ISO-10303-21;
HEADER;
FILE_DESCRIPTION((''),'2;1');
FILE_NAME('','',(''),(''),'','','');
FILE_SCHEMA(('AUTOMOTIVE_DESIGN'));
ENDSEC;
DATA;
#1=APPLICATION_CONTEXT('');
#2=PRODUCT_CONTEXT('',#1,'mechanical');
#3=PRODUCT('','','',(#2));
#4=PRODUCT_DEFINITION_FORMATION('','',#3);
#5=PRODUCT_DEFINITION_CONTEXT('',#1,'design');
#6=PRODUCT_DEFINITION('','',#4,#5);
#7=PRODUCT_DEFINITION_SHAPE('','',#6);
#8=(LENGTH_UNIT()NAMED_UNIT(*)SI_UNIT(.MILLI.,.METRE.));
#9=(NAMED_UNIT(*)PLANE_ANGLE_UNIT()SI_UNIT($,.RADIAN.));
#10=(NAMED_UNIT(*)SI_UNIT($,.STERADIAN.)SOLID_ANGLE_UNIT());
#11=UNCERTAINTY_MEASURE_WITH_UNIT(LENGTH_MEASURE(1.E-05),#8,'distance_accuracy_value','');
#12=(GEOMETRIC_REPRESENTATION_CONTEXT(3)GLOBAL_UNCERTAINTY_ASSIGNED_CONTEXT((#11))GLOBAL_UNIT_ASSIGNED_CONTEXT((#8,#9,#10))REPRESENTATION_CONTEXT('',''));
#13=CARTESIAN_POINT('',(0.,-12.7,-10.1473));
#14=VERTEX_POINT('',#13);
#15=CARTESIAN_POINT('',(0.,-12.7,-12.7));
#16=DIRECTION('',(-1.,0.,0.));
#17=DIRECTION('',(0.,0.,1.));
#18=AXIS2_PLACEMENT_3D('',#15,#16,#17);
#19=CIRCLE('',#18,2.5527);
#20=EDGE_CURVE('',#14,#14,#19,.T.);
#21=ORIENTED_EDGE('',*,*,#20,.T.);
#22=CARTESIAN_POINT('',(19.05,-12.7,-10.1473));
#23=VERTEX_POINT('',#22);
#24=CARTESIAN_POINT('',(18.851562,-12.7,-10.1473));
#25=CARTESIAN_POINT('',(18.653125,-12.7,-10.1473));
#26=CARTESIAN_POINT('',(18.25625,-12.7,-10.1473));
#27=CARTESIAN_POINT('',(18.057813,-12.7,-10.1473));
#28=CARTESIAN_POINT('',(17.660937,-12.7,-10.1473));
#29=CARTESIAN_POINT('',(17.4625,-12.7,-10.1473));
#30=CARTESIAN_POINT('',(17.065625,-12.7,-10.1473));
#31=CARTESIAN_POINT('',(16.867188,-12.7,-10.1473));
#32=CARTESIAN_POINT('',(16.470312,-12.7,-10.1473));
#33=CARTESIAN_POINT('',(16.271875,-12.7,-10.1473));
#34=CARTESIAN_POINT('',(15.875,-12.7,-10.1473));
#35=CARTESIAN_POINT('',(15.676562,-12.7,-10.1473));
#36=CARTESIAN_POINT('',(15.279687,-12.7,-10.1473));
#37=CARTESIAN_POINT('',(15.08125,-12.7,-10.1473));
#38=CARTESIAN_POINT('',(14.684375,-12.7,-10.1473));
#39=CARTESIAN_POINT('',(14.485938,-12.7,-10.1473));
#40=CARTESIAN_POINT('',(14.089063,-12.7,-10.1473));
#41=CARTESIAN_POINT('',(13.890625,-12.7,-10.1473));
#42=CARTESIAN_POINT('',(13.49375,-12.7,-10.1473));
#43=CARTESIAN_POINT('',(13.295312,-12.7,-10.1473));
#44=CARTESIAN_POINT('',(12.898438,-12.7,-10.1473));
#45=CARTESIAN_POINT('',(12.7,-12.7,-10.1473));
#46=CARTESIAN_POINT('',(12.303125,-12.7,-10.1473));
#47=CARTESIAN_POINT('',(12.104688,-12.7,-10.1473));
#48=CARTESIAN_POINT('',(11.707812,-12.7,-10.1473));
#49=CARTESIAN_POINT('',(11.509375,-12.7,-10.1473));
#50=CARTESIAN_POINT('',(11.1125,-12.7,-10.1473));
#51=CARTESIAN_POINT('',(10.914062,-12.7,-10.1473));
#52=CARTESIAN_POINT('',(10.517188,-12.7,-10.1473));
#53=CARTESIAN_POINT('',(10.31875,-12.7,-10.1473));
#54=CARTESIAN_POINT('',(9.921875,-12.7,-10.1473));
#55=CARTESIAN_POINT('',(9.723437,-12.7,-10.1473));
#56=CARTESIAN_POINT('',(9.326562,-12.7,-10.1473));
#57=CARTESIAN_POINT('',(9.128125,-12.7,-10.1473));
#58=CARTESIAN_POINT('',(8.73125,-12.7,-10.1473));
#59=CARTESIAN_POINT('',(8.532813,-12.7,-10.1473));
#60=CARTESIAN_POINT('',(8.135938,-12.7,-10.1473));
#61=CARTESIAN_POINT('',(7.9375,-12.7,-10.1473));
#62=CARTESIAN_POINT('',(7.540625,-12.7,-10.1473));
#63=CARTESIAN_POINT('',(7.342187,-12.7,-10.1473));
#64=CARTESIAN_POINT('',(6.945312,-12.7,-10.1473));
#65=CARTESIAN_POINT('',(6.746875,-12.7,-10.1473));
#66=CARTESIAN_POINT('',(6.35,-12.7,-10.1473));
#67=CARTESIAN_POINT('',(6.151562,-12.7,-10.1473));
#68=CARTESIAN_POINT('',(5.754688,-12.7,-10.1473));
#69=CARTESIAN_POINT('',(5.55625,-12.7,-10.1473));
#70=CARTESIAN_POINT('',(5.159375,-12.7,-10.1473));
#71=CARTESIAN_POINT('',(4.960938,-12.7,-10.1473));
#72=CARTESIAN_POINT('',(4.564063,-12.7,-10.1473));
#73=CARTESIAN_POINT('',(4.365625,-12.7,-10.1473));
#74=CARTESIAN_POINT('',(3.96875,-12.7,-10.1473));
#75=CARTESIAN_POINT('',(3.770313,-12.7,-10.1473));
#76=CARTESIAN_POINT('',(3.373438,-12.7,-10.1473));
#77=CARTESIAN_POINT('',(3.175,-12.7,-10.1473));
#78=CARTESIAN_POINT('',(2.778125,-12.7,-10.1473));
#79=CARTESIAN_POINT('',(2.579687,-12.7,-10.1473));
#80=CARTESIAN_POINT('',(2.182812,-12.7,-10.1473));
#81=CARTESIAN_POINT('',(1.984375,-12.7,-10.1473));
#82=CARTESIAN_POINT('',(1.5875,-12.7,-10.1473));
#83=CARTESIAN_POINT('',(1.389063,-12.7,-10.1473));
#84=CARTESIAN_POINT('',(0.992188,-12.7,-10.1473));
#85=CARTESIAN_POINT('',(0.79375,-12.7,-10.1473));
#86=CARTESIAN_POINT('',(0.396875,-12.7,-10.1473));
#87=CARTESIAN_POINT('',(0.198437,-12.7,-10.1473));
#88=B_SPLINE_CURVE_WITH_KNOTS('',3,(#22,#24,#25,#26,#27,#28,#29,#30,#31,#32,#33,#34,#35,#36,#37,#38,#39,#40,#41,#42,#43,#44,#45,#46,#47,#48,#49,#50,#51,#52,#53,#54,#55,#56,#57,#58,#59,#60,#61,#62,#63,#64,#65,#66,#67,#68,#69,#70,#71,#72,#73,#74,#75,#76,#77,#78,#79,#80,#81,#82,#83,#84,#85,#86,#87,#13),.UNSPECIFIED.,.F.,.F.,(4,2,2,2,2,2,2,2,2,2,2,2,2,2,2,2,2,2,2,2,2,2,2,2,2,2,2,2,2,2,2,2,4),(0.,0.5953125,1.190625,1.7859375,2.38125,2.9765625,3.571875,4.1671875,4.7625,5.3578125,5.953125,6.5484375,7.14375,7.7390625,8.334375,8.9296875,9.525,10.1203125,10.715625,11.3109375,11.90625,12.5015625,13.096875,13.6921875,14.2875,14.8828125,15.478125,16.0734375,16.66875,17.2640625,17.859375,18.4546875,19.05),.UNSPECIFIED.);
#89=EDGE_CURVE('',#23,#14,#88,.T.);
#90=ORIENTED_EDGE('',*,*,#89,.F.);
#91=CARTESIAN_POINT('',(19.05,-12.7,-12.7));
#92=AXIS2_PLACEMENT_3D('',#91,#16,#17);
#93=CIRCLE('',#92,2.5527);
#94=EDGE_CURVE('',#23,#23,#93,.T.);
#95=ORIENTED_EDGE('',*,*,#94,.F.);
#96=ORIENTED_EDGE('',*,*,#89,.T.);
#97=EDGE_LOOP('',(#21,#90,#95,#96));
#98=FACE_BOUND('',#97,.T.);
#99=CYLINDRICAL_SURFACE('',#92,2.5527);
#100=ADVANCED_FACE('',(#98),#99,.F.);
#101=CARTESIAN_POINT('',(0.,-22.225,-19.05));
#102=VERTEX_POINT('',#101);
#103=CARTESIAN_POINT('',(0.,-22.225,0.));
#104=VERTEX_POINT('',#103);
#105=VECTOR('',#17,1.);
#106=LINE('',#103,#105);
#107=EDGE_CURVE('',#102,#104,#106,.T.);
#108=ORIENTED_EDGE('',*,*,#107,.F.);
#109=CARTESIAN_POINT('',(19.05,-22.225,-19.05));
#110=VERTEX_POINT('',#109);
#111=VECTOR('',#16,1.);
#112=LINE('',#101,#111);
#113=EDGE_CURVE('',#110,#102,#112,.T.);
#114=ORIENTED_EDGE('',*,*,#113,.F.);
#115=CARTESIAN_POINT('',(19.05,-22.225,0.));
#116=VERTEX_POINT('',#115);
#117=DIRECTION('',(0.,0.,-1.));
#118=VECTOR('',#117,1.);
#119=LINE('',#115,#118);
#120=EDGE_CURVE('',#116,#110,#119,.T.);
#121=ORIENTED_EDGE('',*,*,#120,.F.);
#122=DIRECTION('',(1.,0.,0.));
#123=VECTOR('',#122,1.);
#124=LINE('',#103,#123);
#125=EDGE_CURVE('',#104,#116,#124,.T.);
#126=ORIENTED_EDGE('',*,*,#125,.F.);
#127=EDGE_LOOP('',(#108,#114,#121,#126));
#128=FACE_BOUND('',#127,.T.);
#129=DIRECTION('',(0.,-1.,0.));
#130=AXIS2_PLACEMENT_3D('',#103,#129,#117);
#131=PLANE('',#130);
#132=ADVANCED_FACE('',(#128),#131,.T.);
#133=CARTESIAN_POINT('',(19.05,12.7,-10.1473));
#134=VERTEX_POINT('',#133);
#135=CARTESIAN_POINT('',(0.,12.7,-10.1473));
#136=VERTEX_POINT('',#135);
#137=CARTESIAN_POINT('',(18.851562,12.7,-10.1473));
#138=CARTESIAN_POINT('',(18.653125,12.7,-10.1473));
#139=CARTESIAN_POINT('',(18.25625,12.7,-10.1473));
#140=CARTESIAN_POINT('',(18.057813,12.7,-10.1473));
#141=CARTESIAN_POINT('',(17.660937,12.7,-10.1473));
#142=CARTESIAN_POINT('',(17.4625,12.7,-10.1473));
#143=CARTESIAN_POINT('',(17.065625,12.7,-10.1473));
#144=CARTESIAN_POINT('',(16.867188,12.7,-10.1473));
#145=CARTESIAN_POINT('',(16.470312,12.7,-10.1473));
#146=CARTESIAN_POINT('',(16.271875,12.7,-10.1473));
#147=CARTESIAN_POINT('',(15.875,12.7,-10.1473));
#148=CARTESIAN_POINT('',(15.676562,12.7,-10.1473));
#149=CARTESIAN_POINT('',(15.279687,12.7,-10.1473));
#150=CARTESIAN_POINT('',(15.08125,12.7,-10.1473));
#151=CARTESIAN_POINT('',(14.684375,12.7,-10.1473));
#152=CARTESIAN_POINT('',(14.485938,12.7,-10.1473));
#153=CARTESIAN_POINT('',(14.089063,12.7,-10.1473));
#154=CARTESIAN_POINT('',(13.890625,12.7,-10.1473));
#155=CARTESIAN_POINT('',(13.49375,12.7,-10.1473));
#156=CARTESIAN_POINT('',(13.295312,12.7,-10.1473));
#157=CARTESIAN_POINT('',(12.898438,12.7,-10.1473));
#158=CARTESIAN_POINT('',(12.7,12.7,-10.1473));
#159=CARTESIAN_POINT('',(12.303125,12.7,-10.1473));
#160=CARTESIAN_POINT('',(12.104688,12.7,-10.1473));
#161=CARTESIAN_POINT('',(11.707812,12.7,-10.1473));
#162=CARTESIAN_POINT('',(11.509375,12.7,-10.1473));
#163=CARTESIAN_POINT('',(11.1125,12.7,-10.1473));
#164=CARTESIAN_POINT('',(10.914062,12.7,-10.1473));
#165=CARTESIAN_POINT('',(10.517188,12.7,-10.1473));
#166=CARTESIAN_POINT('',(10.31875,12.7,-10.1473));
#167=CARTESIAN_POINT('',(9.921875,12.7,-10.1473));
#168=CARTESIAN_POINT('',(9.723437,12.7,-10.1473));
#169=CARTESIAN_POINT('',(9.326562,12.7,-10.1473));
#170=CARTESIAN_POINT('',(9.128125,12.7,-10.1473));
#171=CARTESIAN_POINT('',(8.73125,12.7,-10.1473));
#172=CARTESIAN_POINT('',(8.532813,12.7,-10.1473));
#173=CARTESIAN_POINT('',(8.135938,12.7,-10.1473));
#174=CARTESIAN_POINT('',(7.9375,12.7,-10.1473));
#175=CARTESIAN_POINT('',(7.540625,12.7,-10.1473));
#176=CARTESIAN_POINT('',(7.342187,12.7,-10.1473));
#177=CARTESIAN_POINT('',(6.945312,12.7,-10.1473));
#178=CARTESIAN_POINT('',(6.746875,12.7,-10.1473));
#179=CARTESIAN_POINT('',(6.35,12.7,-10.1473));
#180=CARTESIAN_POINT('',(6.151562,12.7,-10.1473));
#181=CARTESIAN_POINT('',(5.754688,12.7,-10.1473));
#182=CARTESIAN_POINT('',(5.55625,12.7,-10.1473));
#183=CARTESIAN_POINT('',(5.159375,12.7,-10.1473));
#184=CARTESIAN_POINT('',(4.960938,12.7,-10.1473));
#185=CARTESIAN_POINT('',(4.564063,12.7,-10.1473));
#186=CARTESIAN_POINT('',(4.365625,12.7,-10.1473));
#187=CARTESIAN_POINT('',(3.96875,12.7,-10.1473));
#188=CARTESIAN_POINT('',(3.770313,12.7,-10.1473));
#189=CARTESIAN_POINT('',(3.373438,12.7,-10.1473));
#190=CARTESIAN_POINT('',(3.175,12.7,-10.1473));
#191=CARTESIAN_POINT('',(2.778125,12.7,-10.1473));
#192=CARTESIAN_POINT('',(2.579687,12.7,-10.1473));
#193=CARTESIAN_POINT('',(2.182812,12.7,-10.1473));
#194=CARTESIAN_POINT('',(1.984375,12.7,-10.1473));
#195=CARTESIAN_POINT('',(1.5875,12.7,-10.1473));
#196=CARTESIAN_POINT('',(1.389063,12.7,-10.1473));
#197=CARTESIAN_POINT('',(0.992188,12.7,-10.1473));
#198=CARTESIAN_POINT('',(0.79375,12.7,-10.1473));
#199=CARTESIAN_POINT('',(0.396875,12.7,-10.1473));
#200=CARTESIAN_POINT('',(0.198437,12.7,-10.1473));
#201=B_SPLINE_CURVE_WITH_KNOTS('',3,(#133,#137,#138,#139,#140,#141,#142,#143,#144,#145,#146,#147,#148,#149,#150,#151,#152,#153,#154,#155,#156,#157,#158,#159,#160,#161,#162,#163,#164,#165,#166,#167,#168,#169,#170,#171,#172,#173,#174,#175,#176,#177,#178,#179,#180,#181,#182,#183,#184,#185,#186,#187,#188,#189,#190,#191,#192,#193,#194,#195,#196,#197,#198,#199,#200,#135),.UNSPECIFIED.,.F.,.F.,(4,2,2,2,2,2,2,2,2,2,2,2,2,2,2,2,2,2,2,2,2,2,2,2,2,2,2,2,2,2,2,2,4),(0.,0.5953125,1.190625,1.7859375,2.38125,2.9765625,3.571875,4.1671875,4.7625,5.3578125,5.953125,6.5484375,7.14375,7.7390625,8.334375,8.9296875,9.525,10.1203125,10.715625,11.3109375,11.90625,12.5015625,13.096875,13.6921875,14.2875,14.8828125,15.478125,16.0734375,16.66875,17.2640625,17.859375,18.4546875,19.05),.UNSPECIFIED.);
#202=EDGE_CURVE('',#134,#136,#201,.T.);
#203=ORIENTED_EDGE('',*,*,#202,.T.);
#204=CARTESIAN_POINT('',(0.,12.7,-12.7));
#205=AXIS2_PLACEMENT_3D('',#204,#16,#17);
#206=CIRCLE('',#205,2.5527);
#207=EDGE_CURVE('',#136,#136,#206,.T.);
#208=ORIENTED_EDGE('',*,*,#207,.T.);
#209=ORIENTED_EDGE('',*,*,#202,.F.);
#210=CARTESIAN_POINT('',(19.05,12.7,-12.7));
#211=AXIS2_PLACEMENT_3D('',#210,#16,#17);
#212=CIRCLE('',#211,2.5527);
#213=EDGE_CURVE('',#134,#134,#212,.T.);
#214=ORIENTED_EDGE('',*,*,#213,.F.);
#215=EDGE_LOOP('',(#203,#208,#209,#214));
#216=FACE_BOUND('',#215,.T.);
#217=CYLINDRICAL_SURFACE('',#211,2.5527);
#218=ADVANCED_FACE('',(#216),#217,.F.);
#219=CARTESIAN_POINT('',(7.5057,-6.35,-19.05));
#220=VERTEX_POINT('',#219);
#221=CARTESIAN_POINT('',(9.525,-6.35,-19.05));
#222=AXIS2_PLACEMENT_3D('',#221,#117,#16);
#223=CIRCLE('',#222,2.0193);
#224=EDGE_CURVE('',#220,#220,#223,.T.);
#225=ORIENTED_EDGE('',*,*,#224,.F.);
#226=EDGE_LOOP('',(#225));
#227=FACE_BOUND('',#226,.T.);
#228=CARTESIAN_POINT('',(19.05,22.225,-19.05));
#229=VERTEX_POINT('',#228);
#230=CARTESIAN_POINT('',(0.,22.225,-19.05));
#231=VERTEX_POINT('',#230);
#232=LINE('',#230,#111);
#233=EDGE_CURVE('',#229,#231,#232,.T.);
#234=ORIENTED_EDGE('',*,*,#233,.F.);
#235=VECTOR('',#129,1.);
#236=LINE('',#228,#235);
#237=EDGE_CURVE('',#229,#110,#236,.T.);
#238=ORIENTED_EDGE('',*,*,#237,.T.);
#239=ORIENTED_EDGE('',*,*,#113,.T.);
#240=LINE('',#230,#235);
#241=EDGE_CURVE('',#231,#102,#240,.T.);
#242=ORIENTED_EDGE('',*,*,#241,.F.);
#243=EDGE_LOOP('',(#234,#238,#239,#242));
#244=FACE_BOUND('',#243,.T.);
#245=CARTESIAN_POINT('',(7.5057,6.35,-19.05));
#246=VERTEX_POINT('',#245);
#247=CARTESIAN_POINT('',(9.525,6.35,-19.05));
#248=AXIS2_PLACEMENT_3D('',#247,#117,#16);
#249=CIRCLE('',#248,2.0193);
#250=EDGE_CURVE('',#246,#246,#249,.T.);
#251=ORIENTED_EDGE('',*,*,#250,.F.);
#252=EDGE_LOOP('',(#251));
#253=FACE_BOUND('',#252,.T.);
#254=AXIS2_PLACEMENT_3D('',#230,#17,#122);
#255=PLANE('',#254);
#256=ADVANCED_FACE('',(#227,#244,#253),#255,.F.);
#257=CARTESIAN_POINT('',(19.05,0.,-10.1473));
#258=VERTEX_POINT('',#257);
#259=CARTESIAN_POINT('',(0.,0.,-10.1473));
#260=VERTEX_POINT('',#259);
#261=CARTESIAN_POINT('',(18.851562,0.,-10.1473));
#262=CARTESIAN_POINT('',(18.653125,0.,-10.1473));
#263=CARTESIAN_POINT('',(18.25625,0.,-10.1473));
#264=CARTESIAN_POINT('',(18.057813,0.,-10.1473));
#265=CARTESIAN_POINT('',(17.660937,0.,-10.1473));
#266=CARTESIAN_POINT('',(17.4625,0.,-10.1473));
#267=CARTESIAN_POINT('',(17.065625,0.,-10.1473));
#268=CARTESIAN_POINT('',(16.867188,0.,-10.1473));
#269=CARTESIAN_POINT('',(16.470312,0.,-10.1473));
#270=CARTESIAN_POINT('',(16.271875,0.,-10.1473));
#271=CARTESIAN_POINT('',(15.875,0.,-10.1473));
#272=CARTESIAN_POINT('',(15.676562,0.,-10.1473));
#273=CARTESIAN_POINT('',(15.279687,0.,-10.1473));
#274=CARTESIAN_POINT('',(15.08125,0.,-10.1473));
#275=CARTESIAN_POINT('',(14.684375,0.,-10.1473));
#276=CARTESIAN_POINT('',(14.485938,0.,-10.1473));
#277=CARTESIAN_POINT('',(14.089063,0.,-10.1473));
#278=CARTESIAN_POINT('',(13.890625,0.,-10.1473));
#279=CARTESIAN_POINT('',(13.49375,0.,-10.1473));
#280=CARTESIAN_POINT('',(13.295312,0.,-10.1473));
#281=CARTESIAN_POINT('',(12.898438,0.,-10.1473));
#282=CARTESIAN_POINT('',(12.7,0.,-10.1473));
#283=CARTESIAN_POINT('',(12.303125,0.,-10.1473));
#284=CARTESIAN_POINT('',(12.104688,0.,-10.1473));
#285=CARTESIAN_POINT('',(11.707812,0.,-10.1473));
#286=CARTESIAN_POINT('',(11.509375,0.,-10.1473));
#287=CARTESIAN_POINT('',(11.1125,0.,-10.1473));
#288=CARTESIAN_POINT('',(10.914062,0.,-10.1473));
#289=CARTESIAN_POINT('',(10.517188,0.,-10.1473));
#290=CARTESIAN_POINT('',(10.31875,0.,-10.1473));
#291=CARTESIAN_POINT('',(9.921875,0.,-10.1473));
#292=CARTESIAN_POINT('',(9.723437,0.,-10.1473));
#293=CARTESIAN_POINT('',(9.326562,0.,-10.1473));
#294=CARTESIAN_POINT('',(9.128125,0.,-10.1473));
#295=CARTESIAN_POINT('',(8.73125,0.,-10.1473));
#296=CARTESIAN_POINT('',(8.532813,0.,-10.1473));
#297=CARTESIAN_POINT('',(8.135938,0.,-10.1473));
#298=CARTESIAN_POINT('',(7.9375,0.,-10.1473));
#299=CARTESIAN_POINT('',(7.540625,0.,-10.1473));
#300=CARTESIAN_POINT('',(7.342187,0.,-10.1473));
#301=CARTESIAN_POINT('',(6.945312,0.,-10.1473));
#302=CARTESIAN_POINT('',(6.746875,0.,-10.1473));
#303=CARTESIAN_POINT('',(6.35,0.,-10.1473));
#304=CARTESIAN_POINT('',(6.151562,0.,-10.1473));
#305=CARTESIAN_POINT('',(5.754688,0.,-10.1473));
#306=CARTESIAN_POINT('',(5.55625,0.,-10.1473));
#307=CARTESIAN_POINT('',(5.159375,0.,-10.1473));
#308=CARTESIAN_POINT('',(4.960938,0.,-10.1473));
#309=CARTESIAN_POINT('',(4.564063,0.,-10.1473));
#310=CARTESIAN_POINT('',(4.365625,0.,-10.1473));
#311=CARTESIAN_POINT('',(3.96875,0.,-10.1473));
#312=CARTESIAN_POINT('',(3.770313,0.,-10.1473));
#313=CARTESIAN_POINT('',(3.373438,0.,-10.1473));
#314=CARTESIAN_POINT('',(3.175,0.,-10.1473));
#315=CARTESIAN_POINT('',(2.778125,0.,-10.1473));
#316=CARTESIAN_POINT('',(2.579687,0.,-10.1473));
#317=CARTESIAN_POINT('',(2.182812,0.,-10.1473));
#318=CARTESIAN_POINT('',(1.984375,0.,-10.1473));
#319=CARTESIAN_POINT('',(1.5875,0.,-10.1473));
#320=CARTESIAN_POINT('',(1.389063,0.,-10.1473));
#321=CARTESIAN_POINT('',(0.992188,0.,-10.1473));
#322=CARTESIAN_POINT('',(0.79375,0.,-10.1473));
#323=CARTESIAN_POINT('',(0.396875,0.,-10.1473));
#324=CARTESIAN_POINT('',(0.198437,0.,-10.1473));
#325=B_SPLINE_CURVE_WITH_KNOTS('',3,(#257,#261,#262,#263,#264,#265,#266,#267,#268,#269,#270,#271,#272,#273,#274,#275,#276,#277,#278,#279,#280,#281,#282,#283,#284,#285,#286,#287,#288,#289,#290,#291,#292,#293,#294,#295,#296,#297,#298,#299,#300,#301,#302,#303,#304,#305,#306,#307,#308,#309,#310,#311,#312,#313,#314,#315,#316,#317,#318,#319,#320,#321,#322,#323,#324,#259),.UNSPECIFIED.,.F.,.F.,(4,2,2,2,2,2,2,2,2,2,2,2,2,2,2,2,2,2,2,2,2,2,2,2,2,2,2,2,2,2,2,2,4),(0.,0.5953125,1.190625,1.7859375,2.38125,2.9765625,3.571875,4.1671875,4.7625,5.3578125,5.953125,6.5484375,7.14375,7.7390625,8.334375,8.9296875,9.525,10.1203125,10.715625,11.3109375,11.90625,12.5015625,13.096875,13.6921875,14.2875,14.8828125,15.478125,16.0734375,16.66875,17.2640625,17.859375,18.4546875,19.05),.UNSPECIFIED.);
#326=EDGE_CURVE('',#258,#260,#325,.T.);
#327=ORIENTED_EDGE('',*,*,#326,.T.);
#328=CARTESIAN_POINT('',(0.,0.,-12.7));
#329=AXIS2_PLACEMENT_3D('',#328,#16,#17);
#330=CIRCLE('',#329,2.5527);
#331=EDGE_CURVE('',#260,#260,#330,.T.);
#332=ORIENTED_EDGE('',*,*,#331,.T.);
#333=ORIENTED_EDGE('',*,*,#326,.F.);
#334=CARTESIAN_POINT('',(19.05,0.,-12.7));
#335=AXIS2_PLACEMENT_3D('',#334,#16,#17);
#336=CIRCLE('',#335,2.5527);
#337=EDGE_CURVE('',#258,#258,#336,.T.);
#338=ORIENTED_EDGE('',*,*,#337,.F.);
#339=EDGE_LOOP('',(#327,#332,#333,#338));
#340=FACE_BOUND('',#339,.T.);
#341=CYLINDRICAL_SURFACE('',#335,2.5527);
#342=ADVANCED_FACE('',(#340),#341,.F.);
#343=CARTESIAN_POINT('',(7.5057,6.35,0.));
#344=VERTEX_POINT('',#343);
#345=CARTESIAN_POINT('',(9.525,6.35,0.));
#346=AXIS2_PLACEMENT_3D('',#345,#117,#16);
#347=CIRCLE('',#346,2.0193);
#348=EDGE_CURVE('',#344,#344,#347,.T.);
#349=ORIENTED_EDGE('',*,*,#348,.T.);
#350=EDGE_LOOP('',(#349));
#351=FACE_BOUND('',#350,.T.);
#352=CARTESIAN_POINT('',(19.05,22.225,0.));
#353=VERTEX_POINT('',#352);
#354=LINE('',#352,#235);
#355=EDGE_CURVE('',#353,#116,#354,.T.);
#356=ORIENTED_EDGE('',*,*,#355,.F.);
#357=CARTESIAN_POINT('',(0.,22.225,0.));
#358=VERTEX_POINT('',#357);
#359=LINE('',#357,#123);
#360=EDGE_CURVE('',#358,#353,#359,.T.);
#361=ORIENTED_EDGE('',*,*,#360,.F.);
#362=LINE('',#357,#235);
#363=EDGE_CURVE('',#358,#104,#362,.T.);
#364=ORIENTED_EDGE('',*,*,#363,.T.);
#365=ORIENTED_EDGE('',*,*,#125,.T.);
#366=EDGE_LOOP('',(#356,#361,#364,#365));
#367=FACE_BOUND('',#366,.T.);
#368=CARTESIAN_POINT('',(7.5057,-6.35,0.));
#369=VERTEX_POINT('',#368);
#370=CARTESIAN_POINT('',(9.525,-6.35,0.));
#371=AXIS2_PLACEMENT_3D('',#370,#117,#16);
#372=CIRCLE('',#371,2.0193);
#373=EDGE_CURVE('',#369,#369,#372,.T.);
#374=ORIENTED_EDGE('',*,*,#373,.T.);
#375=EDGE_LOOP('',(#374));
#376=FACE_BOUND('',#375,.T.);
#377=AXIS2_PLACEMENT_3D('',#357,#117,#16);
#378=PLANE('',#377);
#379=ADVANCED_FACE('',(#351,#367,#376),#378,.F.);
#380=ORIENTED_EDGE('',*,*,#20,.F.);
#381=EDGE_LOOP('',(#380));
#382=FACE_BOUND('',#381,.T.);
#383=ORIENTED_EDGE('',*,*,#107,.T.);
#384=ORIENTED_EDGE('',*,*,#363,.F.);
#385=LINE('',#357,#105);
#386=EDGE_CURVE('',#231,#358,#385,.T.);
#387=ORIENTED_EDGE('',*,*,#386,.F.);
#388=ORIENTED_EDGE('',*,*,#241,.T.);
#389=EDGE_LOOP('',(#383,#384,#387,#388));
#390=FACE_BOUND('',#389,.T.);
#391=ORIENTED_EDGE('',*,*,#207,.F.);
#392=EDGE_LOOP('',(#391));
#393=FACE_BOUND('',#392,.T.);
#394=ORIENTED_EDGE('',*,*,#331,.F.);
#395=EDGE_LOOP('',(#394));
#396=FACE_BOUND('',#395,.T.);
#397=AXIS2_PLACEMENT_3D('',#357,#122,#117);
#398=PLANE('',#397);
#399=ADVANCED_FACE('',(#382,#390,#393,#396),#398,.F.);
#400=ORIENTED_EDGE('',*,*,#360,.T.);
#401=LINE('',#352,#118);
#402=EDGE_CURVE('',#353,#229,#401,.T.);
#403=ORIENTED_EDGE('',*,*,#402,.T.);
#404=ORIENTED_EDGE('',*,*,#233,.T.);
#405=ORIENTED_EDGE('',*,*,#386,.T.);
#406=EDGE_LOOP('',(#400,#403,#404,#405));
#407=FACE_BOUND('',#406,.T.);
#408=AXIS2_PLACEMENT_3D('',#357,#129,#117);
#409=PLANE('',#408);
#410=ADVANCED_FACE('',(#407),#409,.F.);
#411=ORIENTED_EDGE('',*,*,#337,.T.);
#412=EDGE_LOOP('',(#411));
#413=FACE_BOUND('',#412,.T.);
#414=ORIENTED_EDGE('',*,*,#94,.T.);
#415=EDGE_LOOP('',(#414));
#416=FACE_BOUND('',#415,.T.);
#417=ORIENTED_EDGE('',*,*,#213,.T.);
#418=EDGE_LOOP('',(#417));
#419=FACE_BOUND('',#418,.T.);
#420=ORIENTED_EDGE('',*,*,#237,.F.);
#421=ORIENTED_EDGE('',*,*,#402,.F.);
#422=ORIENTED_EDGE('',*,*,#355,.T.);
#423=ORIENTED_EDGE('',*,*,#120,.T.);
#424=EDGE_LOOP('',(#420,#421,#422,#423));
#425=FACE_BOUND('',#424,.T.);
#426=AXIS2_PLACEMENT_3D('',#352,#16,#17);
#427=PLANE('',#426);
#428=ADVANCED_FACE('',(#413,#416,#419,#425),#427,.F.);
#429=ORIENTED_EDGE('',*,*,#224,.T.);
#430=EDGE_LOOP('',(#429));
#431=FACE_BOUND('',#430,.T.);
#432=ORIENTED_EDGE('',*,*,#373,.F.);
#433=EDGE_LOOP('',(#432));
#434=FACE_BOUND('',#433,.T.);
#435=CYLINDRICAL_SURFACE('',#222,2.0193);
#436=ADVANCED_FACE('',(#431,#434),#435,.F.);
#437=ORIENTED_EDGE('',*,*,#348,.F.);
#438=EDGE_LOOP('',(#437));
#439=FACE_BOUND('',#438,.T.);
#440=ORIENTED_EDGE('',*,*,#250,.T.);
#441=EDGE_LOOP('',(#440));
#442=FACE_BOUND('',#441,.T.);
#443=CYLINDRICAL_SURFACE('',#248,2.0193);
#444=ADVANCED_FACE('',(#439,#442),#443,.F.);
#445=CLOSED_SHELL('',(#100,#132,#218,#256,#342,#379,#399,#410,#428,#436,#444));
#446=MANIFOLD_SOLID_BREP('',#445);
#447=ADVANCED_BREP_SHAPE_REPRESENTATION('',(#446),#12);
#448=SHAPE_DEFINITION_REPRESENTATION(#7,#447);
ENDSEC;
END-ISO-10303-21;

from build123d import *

# Parameters (mm, degrees)
SKETCH1_W              = 19.05
SKETCH1_H              = 19.05
BOSS_EXTRUDE1_DEPTH    = 22.225
SKETCH2_R              = 2.5527
CUT_EXTRUDE1_DEPTH     = 35.925
F_10_32_TAPPED_HOLE1_D = 4.0386


with BuildPart() as part:
    # Sketch1 → Boss-Extrude1 (new, symmetric)
    with BuildSketch(Plane(origin=(0, 0, 0), x_dir=(1, 0, 0), z_dir=(0, 1, 0))):
        with Locations((9.525, 9.525)):
            Rectangle(SKETCH1_W, SKETCH1_H)
    extrude(amount=BOSS_EXTRUDE1_DEPTH, both=True)

    # Sketch2 → Cut-Extrude1 (cut, through all)
    with BuildSketch(Plane.ZY):
        with Locations((-12.7, 12.7)):
            Circle(SKETCH2_R)
        with Locations((-12.7, -12.7)):
            Circle(SKETCH2_R)
        with Locations((-12.7, 0)):
            Circle(SKETCH2_R)
    extrude(amount=-CUT_EXTRUDE1_DEPTH, mode=Mode.SUBTRACT)

    # #10-32 Tapped Hole1 (through all)
    with Locations(Plane(origin=(9.525, -6.35, -19.05), x_dir=(-1, 0, 0), z_dir=(0, 0, -1))):
        with Locations((0, 0), (0, 12.7)):
            Hole(F_10_32_TAPPED_HOLE1_D / 2)


solid = part.part
